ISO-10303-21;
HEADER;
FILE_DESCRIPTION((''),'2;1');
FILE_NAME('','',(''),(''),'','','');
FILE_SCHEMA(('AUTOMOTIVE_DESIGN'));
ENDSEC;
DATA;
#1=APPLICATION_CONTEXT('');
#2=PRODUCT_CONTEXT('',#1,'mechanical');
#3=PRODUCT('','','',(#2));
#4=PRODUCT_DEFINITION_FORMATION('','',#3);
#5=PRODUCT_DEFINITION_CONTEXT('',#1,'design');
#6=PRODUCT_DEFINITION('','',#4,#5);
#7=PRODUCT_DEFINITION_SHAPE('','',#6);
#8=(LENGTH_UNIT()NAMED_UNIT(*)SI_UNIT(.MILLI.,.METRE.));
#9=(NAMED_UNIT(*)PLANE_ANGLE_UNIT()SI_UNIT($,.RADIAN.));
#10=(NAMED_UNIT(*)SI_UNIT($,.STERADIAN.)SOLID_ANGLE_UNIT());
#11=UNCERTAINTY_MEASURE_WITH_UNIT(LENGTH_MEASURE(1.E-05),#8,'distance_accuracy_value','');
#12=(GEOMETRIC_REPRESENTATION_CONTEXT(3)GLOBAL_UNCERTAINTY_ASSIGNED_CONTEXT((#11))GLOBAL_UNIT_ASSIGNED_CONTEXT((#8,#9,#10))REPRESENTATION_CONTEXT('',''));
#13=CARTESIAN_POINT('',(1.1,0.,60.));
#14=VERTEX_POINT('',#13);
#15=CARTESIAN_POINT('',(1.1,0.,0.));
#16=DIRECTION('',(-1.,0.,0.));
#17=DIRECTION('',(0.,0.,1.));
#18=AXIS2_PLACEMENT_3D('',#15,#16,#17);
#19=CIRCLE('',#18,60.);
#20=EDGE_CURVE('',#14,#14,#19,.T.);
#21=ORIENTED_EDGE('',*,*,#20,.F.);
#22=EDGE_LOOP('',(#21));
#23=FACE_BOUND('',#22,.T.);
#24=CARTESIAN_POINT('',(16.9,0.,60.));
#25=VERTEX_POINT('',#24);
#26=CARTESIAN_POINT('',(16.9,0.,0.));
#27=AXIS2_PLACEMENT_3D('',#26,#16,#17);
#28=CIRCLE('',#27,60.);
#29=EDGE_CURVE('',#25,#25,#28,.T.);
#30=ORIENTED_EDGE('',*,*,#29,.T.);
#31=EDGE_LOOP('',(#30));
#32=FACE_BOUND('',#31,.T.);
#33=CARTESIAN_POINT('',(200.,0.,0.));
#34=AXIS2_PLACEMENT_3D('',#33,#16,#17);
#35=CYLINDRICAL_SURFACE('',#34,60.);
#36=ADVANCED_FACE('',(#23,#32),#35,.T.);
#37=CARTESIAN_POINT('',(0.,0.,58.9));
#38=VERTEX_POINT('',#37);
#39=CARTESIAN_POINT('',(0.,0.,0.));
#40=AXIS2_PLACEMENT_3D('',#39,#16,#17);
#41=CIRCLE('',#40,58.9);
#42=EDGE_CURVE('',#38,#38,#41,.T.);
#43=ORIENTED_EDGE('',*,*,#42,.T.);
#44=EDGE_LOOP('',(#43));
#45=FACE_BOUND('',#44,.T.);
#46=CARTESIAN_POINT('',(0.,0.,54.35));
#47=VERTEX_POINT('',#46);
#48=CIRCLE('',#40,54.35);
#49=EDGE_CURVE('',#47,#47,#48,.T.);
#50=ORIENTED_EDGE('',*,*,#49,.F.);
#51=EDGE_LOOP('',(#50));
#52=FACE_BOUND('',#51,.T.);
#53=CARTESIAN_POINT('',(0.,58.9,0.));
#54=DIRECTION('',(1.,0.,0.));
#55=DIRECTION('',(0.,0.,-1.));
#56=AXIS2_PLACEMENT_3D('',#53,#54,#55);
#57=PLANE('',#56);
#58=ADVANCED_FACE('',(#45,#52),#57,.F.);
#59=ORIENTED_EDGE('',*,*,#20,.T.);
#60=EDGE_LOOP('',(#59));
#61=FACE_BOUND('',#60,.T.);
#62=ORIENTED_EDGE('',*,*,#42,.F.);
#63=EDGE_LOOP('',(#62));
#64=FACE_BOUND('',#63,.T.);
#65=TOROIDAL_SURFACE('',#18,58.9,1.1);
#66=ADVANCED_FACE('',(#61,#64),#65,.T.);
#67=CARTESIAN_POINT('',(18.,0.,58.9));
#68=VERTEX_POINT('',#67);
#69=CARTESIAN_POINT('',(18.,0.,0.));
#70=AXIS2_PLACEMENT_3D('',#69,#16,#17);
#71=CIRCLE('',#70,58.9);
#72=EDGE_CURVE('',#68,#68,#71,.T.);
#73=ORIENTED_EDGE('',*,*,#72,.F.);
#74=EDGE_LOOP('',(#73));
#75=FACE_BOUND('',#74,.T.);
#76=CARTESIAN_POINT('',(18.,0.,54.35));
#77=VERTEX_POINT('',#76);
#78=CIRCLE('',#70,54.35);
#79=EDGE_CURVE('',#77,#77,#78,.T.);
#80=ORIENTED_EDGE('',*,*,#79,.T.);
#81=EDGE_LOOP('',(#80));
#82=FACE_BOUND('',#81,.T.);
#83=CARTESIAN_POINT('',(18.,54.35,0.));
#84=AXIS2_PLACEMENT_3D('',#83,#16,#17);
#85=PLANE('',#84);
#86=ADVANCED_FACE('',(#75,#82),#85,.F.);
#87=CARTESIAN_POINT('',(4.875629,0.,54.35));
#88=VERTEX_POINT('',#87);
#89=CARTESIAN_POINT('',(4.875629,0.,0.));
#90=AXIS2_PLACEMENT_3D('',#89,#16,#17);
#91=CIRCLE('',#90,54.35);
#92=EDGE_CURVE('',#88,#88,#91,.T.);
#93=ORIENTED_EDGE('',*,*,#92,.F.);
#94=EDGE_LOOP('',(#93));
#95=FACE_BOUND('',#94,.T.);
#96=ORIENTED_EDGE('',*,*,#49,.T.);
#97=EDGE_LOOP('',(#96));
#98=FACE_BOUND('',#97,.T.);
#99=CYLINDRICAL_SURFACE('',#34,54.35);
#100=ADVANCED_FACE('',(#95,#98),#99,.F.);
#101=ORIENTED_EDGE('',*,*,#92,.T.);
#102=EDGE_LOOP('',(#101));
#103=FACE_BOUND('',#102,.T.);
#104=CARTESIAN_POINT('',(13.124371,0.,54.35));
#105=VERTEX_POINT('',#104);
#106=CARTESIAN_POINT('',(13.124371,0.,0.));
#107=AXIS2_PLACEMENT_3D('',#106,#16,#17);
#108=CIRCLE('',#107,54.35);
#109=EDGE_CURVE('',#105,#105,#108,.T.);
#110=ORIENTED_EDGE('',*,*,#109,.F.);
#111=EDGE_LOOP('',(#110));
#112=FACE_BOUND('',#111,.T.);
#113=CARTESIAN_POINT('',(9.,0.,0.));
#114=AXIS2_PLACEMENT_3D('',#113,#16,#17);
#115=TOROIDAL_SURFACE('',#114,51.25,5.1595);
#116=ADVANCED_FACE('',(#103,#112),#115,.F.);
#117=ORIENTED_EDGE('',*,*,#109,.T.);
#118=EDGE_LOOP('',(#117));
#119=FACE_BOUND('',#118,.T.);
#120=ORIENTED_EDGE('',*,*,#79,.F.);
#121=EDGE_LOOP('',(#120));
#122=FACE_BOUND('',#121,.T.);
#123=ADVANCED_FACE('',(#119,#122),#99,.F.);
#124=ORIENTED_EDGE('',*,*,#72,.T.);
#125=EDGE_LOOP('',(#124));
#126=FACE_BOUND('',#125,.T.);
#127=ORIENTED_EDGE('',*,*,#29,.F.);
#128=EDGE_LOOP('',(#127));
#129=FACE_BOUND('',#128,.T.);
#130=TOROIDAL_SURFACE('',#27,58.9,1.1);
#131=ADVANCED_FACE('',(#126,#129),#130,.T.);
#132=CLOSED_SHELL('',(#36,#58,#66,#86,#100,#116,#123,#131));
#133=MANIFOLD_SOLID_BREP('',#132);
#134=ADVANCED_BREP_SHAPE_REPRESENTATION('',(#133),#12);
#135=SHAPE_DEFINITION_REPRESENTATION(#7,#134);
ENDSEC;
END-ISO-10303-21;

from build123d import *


with BuildPart() as part:
    # Schizzo1 → Rivoluzione1 (revolve)
    with BuildSketch(Plane.XY, mode=Mode.PRIVATE) as rivoluzione1_sk:
        with BuildLine():
            Line((0, 58.9), (0, 54.35))
            Line((0, 54.35), (4.875628502, 54.35))
            ThreePointArc((4.875628502, 54.35), (9, 56.4095), (13.124371498, 54.35))
            Line((13.124371498, 54.35), (18, 54.35))
            Line((18, 54.35), (18, 58.9))
            ThreePointArc((18, 58.9), (17.677817459, 59.677817459), (16.9, 60))
            Line((16.9, 60), (1.1, 60))
            ThreePointArc((1.1, 60), (0.322182541, 59.677817459), (0, 58.9))
        make_face()
    revolve(rivoluzione1_sk.sketch.rotate(Axis((200, 0, 0), (-1, 0, 0)), 270), axis=Axis((200, 0, 0), (-1, 0, 0)))


solid = part.part
